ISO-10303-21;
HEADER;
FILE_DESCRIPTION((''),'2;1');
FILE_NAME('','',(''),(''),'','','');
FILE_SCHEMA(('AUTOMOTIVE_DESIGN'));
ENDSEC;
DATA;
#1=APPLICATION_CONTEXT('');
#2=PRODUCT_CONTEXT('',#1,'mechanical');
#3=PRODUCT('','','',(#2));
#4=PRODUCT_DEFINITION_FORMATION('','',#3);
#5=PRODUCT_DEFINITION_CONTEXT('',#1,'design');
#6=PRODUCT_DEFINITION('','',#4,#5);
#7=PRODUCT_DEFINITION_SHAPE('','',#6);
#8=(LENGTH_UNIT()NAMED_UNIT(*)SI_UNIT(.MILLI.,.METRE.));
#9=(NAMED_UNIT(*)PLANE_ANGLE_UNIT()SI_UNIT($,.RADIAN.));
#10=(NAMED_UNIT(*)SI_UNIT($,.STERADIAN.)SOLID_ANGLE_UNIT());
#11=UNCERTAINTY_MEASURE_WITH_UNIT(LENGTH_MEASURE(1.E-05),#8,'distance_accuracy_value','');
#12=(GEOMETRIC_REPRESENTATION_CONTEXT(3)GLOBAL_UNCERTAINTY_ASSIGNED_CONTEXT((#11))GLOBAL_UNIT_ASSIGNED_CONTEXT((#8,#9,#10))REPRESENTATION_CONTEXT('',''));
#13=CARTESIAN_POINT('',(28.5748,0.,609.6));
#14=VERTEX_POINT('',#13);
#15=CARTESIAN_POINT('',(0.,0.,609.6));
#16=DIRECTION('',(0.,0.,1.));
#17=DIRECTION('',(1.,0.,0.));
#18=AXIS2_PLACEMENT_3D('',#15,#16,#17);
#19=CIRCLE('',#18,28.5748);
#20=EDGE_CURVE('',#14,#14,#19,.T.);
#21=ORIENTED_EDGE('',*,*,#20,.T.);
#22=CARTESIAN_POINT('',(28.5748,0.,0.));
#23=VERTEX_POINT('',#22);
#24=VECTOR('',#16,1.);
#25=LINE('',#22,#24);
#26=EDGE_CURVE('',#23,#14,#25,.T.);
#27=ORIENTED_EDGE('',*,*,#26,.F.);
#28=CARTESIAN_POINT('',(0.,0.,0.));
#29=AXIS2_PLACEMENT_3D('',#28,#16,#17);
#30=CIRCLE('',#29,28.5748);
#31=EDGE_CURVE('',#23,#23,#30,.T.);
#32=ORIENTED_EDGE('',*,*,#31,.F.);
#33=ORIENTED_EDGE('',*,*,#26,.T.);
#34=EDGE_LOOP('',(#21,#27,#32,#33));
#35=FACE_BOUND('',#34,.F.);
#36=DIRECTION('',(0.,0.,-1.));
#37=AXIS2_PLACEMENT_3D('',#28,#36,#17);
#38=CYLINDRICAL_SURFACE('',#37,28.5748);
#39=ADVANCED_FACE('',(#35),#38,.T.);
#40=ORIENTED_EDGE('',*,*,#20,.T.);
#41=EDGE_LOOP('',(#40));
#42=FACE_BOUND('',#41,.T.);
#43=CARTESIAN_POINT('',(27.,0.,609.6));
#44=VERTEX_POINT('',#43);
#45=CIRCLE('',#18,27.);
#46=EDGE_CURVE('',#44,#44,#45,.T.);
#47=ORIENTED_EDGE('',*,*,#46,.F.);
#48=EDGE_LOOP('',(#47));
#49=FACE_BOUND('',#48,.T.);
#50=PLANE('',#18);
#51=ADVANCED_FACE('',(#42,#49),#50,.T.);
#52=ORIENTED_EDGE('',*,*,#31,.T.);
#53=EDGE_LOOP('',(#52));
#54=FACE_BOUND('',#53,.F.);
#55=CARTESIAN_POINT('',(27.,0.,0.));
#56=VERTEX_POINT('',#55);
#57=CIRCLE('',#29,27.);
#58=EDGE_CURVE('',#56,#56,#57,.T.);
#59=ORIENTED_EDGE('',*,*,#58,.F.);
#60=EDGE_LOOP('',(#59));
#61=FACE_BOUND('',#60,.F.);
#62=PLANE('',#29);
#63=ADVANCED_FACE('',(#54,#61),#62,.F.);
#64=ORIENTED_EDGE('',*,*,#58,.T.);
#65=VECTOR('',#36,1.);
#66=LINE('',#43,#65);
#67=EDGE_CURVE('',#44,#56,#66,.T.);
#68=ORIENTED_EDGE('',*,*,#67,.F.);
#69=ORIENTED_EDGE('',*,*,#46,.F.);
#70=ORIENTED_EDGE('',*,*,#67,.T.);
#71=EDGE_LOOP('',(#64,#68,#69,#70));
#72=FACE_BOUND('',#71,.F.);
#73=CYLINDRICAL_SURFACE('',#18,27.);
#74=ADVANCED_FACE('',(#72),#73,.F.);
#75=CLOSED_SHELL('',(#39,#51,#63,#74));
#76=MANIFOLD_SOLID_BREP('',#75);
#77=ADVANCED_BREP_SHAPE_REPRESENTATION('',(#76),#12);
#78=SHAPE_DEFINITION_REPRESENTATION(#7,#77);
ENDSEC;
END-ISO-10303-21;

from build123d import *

# Parameters (mm, degrees)
SKETCH_R     = 28.5748
PAD_DEPTH    = 609.6
SKETCH001_R  = 27
POCKET_DEPTH = 609.601


with BuildPart() as part:
    # Sketch → Pad (new body)
    with BuildSketch(Plane.XY):
        Circle(SKETCH_R)
    extrude(amount=PAD_DEPTH)

    # Sketch001 (on Face3 of Pad) → Pocket (cut, through all)
    with BuildSketch(Plane.XY.offset(609.6)):
        Circle(SKETCH001_R)
    extrude(amount=-POCKET_DEPTH, mode=Mode.SUBTRACT)


solid = part.part
